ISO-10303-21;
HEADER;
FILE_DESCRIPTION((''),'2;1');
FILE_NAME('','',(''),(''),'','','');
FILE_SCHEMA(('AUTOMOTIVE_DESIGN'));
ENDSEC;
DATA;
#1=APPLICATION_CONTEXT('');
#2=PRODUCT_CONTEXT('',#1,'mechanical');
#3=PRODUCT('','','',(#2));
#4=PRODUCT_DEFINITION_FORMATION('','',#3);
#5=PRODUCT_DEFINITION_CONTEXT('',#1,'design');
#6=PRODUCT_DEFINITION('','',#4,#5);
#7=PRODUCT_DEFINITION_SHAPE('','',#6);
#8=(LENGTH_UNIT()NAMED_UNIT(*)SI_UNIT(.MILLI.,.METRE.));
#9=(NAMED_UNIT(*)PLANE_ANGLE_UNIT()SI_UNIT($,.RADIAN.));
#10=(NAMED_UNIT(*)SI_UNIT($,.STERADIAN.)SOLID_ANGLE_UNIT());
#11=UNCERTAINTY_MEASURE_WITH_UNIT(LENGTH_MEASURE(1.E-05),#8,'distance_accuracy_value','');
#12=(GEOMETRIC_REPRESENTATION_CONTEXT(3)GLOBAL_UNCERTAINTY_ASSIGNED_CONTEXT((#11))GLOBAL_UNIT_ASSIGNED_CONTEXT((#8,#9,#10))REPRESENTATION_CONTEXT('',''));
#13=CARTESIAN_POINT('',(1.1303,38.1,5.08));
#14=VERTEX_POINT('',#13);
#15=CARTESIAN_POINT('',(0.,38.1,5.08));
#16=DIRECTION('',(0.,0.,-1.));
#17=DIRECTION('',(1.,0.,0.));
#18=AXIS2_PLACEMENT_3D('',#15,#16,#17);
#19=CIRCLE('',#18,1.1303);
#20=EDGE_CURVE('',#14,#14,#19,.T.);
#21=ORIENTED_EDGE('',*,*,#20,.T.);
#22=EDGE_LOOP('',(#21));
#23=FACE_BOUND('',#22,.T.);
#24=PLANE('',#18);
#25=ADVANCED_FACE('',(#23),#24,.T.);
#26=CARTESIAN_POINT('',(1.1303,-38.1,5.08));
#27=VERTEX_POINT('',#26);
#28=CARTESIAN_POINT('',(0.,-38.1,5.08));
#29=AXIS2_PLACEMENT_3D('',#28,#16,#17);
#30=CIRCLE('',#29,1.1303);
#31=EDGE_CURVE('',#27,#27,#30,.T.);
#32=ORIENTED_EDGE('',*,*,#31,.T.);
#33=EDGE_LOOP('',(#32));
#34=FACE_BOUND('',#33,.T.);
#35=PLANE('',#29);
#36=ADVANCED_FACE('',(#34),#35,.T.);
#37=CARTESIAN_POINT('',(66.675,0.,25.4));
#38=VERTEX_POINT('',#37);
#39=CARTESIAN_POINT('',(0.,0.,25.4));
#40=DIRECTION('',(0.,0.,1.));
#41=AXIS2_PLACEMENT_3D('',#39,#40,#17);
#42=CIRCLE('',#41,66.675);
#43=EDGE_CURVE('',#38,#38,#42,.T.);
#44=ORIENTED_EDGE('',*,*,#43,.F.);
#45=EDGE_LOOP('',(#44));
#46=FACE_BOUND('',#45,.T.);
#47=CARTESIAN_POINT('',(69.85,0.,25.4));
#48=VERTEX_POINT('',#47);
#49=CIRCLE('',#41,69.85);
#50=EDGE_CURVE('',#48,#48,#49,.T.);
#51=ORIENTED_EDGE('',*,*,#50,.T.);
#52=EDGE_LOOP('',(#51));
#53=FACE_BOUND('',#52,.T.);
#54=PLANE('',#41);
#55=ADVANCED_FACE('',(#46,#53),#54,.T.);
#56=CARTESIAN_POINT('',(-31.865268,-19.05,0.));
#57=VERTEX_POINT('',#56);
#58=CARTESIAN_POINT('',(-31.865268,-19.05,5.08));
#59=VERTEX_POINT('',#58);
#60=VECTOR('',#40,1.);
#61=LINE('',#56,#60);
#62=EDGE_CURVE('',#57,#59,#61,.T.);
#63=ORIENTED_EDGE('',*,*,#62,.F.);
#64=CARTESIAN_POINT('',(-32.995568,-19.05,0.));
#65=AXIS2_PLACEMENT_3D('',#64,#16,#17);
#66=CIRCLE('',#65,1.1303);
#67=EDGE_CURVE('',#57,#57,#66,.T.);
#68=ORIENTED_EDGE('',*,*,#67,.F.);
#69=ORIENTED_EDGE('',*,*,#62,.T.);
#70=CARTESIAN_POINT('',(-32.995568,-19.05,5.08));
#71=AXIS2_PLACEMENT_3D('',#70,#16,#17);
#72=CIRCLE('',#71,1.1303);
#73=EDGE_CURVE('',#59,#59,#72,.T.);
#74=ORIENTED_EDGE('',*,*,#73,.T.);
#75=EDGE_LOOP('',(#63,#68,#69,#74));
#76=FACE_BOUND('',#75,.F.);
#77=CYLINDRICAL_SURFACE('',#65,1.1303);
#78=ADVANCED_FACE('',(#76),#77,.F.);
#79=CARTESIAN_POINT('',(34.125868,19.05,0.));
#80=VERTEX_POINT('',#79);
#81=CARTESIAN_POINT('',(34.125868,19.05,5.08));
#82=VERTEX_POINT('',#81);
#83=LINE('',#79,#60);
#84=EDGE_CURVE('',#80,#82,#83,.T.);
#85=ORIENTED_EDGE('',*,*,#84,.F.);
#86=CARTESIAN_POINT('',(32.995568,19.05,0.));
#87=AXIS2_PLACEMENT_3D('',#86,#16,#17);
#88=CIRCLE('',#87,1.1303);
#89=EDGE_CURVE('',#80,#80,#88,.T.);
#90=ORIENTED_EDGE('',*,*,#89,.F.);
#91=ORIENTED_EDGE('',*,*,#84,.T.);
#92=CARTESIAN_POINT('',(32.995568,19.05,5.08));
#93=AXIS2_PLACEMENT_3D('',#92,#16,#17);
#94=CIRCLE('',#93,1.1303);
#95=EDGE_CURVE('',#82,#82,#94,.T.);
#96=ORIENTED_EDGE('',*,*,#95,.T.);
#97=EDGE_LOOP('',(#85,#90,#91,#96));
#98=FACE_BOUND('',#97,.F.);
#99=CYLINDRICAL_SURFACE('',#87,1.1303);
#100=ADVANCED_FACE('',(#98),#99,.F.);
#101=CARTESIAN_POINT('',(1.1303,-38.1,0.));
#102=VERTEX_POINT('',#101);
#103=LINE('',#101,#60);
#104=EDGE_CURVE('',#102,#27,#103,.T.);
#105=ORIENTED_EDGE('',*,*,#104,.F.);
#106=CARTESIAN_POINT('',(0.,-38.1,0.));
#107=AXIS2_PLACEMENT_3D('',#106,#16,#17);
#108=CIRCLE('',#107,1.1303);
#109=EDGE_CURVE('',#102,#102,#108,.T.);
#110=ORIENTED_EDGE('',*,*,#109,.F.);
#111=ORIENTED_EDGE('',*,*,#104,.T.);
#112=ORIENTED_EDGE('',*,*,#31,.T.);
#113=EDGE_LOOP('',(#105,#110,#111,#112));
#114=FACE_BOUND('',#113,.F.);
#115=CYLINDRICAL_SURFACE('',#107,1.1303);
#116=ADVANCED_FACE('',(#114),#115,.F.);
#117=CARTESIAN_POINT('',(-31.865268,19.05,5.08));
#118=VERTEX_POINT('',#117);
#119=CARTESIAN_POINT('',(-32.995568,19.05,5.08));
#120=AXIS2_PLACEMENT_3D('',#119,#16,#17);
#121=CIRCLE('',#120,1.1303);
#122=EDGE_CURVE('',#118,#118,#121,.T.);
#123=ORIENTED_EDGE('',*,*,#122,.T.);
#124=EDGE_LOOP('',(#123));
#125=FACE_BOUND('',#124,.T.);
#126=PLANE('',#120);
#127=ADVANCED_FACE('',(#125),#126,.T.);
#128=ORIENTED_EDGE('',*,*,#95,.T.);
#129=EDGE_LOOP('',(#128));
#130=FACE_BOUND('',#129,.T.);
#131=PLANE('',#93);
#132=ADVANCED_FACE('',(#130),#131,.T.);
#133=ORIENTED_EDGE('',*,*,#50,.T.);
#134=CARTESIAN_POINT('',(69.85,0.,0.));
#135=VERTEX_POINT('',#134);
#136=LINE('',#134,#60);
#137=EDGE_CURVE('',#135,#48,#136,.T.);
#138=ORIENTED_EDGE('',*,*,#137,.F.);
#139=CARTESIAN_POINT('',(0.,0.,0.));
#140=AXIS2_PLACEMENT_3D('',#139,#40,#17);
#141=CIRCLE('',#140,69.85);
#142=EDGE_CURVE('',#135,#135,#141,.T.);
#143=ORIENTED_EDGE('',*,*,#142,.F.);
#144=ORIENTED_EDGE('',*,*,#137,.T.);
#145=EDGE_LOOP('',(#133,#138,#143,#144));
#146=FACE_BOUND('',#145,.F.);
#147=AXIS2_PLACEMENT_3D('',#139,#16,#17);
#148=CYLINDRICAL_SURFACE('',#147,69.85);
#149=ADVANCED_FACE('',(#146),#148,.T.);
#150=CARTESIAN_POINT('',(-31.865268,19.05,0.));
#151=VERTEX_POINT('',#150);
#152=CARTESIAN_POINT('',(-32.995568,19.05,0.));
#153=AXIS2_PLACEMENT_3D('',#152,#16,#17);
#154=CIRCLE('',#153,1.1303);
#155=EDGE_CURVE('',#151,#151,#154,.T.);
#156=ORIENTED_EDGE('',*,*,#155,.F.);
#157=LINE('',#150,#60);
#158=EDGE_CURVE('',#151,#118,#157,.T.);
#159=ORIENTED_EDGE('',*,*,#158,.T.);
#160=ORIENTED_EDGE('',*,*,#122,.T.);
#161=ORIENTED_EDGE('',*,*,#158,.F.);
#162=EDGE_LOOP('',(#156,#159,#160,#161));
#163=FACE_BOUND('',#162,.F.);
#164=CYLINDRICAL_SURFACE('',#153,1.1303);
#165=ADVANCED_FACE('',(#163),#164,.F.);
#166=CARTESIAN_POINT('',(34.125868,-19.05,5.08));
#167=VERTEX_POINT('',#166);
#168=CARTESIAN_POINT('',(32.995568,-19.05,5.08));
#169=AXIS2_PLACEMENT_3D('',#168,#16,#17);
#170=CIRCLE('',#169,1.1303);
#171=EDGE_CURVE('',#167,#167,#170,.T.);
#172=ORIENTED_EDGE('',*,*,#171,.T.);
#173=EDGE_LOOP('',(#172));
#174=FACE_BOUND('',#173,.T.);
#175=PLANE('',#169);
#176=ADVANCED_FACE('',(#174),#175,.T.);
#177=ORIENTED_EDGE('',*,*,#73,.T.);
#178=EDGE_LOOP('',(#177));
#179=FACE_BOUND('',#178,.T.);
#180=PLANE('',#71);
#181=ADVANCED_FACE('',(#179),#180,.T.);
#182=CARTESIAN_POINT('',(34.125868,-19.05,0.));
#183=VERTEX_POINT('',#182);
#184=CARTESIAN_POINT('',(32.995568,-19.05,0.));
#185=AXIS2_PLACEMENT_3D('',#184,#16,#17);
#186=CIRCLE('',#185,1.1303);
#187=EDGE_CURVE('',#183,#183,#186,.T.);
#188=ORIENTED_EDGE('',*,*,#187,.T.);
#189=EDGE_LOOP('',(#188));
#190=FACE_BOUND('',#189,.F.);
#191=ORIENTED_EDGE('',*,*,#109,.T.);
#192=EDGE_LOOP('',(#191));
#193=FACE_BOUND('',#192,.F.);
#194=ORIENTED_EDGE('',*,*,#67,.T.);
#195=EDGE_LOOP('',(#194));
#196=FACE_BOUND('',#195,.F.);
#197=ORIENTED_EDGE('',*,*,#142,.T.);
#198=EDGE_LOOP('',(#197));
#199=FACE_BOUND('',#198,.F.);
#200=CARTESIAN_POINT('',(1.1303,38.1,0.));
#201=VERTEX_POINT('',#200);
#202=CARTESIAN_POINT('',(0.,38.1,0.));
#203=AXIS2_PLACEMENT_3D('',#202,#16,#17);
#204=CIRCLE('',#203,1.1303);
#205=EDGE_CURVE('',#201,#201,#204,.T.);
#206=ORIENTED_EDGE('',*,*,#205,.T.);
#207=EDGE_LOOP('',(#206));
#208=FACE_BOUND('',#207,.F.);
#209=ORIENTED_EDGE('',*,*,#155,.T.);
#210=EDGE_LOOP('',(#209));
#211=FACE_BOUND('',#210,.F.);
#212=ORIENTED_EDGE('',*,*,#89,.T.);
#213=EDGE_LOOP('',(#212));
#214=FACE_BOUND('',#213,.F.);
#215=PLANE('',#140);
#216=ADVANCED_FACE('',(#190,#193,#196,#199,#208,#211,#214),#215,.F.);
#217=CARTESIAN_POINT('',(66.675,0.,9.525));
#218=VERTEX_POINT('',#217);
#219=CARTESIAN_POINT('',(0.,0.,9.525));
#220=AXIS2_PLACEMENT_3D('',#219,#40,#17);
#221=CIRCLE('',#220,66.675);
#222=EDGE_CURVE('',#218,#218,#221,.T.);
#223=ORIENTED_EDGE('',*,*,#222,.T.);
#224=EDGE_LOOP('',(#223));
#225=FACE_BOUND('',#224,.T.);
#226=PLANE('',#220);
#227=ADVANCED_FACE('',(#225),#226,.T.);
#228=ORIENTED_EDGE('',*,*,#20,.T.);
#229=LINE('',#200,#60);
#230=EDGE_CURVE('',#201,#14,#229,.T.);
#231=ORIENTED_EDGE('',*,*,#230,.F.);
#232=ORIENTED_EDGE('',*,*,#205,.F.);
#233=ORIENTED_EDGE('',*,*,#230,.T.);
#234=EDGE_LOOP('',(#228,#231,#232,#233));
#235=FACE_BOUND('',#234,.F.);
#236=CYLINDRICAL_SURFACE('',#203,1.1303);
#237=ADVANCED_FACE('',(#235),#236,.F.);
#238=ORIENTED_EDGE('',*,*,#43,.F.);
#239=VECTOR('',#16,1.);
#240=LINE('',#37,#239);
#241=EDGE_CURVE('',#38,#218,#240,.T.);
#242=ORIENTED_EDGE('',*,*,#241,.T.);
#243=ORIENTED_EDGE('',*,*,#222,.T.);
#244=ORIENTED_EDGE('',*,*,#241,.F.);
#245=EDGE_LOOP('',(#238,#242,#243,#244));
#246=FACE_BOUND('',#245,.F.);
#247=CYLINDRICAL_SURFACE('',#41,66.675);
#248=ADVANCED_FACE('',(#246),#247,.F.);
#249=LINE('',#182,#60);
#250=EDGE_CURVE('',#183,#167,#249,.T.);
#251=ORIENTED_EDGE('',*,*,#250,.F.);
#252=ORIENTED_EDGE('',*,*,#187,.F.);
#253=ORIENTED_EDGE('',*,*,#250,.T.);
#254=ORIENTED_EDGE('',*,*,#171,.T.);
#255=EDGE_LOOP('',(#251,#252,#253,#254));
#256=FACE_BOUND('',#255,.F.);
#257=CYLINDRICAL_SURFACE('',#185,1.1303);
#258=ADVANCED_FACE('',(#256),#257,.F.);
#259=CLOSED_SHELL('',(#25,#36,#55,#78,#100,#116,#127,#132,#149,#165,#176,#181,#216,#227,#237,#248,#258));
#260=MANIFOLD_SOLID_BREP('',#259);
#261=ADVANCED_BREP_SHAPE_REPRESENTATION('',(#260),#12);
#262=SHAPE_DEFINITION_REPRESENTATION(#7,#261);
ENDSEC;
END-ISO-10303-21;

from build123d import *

# Parameters (mm, degrees)
F0_R     = 69.85
F1_DEPTH = 25.4
F2_R     = 66.675
F3_DEPTH = 15.875
F4_R     = 1.1303
F5_DEPTH = 5.08


with BuildPart() as f1:
    # F0 (on Top) → F1 (new body)
    with BuildSketch(Plane.XY):
        Circle(F0_R)
    extrude(amount=F1_DEPTH)

    # F2 (on face) → F3 (cut)
    with BuildSketch(Plane.XY.offset(25.4)):
        Circle(F2_R)
    extrude(amount=-F3_DEPTH, mode=Mode.SUBTRACT)

    # F4 (on face) → F5 (cut)
    with BuildSketch(Plane(origin=(0, 0, 0), x_dir=(1, 0, 0), z_dir=(0, 0, -1))):
        with Locations((0, 38.1)):
            Circle(F4_R)
        with Locations((-32.995568, 19.05)):
            Circle(F4_R)
        with Locations((-32.995568, -19.05)):
            Circle(F4_R)
        with Locations((0, -38.1)):
            Circle(F4_R)
        with Locations((32.995568, -19.05)):
            Circle(F4_R)
        with Locations((32.995568, 19.05)):
            Circle(F4_R)
    extrude(amount=-F5_DEPTH, mode=Mode.SUBTRACT)


solid = f1.part
